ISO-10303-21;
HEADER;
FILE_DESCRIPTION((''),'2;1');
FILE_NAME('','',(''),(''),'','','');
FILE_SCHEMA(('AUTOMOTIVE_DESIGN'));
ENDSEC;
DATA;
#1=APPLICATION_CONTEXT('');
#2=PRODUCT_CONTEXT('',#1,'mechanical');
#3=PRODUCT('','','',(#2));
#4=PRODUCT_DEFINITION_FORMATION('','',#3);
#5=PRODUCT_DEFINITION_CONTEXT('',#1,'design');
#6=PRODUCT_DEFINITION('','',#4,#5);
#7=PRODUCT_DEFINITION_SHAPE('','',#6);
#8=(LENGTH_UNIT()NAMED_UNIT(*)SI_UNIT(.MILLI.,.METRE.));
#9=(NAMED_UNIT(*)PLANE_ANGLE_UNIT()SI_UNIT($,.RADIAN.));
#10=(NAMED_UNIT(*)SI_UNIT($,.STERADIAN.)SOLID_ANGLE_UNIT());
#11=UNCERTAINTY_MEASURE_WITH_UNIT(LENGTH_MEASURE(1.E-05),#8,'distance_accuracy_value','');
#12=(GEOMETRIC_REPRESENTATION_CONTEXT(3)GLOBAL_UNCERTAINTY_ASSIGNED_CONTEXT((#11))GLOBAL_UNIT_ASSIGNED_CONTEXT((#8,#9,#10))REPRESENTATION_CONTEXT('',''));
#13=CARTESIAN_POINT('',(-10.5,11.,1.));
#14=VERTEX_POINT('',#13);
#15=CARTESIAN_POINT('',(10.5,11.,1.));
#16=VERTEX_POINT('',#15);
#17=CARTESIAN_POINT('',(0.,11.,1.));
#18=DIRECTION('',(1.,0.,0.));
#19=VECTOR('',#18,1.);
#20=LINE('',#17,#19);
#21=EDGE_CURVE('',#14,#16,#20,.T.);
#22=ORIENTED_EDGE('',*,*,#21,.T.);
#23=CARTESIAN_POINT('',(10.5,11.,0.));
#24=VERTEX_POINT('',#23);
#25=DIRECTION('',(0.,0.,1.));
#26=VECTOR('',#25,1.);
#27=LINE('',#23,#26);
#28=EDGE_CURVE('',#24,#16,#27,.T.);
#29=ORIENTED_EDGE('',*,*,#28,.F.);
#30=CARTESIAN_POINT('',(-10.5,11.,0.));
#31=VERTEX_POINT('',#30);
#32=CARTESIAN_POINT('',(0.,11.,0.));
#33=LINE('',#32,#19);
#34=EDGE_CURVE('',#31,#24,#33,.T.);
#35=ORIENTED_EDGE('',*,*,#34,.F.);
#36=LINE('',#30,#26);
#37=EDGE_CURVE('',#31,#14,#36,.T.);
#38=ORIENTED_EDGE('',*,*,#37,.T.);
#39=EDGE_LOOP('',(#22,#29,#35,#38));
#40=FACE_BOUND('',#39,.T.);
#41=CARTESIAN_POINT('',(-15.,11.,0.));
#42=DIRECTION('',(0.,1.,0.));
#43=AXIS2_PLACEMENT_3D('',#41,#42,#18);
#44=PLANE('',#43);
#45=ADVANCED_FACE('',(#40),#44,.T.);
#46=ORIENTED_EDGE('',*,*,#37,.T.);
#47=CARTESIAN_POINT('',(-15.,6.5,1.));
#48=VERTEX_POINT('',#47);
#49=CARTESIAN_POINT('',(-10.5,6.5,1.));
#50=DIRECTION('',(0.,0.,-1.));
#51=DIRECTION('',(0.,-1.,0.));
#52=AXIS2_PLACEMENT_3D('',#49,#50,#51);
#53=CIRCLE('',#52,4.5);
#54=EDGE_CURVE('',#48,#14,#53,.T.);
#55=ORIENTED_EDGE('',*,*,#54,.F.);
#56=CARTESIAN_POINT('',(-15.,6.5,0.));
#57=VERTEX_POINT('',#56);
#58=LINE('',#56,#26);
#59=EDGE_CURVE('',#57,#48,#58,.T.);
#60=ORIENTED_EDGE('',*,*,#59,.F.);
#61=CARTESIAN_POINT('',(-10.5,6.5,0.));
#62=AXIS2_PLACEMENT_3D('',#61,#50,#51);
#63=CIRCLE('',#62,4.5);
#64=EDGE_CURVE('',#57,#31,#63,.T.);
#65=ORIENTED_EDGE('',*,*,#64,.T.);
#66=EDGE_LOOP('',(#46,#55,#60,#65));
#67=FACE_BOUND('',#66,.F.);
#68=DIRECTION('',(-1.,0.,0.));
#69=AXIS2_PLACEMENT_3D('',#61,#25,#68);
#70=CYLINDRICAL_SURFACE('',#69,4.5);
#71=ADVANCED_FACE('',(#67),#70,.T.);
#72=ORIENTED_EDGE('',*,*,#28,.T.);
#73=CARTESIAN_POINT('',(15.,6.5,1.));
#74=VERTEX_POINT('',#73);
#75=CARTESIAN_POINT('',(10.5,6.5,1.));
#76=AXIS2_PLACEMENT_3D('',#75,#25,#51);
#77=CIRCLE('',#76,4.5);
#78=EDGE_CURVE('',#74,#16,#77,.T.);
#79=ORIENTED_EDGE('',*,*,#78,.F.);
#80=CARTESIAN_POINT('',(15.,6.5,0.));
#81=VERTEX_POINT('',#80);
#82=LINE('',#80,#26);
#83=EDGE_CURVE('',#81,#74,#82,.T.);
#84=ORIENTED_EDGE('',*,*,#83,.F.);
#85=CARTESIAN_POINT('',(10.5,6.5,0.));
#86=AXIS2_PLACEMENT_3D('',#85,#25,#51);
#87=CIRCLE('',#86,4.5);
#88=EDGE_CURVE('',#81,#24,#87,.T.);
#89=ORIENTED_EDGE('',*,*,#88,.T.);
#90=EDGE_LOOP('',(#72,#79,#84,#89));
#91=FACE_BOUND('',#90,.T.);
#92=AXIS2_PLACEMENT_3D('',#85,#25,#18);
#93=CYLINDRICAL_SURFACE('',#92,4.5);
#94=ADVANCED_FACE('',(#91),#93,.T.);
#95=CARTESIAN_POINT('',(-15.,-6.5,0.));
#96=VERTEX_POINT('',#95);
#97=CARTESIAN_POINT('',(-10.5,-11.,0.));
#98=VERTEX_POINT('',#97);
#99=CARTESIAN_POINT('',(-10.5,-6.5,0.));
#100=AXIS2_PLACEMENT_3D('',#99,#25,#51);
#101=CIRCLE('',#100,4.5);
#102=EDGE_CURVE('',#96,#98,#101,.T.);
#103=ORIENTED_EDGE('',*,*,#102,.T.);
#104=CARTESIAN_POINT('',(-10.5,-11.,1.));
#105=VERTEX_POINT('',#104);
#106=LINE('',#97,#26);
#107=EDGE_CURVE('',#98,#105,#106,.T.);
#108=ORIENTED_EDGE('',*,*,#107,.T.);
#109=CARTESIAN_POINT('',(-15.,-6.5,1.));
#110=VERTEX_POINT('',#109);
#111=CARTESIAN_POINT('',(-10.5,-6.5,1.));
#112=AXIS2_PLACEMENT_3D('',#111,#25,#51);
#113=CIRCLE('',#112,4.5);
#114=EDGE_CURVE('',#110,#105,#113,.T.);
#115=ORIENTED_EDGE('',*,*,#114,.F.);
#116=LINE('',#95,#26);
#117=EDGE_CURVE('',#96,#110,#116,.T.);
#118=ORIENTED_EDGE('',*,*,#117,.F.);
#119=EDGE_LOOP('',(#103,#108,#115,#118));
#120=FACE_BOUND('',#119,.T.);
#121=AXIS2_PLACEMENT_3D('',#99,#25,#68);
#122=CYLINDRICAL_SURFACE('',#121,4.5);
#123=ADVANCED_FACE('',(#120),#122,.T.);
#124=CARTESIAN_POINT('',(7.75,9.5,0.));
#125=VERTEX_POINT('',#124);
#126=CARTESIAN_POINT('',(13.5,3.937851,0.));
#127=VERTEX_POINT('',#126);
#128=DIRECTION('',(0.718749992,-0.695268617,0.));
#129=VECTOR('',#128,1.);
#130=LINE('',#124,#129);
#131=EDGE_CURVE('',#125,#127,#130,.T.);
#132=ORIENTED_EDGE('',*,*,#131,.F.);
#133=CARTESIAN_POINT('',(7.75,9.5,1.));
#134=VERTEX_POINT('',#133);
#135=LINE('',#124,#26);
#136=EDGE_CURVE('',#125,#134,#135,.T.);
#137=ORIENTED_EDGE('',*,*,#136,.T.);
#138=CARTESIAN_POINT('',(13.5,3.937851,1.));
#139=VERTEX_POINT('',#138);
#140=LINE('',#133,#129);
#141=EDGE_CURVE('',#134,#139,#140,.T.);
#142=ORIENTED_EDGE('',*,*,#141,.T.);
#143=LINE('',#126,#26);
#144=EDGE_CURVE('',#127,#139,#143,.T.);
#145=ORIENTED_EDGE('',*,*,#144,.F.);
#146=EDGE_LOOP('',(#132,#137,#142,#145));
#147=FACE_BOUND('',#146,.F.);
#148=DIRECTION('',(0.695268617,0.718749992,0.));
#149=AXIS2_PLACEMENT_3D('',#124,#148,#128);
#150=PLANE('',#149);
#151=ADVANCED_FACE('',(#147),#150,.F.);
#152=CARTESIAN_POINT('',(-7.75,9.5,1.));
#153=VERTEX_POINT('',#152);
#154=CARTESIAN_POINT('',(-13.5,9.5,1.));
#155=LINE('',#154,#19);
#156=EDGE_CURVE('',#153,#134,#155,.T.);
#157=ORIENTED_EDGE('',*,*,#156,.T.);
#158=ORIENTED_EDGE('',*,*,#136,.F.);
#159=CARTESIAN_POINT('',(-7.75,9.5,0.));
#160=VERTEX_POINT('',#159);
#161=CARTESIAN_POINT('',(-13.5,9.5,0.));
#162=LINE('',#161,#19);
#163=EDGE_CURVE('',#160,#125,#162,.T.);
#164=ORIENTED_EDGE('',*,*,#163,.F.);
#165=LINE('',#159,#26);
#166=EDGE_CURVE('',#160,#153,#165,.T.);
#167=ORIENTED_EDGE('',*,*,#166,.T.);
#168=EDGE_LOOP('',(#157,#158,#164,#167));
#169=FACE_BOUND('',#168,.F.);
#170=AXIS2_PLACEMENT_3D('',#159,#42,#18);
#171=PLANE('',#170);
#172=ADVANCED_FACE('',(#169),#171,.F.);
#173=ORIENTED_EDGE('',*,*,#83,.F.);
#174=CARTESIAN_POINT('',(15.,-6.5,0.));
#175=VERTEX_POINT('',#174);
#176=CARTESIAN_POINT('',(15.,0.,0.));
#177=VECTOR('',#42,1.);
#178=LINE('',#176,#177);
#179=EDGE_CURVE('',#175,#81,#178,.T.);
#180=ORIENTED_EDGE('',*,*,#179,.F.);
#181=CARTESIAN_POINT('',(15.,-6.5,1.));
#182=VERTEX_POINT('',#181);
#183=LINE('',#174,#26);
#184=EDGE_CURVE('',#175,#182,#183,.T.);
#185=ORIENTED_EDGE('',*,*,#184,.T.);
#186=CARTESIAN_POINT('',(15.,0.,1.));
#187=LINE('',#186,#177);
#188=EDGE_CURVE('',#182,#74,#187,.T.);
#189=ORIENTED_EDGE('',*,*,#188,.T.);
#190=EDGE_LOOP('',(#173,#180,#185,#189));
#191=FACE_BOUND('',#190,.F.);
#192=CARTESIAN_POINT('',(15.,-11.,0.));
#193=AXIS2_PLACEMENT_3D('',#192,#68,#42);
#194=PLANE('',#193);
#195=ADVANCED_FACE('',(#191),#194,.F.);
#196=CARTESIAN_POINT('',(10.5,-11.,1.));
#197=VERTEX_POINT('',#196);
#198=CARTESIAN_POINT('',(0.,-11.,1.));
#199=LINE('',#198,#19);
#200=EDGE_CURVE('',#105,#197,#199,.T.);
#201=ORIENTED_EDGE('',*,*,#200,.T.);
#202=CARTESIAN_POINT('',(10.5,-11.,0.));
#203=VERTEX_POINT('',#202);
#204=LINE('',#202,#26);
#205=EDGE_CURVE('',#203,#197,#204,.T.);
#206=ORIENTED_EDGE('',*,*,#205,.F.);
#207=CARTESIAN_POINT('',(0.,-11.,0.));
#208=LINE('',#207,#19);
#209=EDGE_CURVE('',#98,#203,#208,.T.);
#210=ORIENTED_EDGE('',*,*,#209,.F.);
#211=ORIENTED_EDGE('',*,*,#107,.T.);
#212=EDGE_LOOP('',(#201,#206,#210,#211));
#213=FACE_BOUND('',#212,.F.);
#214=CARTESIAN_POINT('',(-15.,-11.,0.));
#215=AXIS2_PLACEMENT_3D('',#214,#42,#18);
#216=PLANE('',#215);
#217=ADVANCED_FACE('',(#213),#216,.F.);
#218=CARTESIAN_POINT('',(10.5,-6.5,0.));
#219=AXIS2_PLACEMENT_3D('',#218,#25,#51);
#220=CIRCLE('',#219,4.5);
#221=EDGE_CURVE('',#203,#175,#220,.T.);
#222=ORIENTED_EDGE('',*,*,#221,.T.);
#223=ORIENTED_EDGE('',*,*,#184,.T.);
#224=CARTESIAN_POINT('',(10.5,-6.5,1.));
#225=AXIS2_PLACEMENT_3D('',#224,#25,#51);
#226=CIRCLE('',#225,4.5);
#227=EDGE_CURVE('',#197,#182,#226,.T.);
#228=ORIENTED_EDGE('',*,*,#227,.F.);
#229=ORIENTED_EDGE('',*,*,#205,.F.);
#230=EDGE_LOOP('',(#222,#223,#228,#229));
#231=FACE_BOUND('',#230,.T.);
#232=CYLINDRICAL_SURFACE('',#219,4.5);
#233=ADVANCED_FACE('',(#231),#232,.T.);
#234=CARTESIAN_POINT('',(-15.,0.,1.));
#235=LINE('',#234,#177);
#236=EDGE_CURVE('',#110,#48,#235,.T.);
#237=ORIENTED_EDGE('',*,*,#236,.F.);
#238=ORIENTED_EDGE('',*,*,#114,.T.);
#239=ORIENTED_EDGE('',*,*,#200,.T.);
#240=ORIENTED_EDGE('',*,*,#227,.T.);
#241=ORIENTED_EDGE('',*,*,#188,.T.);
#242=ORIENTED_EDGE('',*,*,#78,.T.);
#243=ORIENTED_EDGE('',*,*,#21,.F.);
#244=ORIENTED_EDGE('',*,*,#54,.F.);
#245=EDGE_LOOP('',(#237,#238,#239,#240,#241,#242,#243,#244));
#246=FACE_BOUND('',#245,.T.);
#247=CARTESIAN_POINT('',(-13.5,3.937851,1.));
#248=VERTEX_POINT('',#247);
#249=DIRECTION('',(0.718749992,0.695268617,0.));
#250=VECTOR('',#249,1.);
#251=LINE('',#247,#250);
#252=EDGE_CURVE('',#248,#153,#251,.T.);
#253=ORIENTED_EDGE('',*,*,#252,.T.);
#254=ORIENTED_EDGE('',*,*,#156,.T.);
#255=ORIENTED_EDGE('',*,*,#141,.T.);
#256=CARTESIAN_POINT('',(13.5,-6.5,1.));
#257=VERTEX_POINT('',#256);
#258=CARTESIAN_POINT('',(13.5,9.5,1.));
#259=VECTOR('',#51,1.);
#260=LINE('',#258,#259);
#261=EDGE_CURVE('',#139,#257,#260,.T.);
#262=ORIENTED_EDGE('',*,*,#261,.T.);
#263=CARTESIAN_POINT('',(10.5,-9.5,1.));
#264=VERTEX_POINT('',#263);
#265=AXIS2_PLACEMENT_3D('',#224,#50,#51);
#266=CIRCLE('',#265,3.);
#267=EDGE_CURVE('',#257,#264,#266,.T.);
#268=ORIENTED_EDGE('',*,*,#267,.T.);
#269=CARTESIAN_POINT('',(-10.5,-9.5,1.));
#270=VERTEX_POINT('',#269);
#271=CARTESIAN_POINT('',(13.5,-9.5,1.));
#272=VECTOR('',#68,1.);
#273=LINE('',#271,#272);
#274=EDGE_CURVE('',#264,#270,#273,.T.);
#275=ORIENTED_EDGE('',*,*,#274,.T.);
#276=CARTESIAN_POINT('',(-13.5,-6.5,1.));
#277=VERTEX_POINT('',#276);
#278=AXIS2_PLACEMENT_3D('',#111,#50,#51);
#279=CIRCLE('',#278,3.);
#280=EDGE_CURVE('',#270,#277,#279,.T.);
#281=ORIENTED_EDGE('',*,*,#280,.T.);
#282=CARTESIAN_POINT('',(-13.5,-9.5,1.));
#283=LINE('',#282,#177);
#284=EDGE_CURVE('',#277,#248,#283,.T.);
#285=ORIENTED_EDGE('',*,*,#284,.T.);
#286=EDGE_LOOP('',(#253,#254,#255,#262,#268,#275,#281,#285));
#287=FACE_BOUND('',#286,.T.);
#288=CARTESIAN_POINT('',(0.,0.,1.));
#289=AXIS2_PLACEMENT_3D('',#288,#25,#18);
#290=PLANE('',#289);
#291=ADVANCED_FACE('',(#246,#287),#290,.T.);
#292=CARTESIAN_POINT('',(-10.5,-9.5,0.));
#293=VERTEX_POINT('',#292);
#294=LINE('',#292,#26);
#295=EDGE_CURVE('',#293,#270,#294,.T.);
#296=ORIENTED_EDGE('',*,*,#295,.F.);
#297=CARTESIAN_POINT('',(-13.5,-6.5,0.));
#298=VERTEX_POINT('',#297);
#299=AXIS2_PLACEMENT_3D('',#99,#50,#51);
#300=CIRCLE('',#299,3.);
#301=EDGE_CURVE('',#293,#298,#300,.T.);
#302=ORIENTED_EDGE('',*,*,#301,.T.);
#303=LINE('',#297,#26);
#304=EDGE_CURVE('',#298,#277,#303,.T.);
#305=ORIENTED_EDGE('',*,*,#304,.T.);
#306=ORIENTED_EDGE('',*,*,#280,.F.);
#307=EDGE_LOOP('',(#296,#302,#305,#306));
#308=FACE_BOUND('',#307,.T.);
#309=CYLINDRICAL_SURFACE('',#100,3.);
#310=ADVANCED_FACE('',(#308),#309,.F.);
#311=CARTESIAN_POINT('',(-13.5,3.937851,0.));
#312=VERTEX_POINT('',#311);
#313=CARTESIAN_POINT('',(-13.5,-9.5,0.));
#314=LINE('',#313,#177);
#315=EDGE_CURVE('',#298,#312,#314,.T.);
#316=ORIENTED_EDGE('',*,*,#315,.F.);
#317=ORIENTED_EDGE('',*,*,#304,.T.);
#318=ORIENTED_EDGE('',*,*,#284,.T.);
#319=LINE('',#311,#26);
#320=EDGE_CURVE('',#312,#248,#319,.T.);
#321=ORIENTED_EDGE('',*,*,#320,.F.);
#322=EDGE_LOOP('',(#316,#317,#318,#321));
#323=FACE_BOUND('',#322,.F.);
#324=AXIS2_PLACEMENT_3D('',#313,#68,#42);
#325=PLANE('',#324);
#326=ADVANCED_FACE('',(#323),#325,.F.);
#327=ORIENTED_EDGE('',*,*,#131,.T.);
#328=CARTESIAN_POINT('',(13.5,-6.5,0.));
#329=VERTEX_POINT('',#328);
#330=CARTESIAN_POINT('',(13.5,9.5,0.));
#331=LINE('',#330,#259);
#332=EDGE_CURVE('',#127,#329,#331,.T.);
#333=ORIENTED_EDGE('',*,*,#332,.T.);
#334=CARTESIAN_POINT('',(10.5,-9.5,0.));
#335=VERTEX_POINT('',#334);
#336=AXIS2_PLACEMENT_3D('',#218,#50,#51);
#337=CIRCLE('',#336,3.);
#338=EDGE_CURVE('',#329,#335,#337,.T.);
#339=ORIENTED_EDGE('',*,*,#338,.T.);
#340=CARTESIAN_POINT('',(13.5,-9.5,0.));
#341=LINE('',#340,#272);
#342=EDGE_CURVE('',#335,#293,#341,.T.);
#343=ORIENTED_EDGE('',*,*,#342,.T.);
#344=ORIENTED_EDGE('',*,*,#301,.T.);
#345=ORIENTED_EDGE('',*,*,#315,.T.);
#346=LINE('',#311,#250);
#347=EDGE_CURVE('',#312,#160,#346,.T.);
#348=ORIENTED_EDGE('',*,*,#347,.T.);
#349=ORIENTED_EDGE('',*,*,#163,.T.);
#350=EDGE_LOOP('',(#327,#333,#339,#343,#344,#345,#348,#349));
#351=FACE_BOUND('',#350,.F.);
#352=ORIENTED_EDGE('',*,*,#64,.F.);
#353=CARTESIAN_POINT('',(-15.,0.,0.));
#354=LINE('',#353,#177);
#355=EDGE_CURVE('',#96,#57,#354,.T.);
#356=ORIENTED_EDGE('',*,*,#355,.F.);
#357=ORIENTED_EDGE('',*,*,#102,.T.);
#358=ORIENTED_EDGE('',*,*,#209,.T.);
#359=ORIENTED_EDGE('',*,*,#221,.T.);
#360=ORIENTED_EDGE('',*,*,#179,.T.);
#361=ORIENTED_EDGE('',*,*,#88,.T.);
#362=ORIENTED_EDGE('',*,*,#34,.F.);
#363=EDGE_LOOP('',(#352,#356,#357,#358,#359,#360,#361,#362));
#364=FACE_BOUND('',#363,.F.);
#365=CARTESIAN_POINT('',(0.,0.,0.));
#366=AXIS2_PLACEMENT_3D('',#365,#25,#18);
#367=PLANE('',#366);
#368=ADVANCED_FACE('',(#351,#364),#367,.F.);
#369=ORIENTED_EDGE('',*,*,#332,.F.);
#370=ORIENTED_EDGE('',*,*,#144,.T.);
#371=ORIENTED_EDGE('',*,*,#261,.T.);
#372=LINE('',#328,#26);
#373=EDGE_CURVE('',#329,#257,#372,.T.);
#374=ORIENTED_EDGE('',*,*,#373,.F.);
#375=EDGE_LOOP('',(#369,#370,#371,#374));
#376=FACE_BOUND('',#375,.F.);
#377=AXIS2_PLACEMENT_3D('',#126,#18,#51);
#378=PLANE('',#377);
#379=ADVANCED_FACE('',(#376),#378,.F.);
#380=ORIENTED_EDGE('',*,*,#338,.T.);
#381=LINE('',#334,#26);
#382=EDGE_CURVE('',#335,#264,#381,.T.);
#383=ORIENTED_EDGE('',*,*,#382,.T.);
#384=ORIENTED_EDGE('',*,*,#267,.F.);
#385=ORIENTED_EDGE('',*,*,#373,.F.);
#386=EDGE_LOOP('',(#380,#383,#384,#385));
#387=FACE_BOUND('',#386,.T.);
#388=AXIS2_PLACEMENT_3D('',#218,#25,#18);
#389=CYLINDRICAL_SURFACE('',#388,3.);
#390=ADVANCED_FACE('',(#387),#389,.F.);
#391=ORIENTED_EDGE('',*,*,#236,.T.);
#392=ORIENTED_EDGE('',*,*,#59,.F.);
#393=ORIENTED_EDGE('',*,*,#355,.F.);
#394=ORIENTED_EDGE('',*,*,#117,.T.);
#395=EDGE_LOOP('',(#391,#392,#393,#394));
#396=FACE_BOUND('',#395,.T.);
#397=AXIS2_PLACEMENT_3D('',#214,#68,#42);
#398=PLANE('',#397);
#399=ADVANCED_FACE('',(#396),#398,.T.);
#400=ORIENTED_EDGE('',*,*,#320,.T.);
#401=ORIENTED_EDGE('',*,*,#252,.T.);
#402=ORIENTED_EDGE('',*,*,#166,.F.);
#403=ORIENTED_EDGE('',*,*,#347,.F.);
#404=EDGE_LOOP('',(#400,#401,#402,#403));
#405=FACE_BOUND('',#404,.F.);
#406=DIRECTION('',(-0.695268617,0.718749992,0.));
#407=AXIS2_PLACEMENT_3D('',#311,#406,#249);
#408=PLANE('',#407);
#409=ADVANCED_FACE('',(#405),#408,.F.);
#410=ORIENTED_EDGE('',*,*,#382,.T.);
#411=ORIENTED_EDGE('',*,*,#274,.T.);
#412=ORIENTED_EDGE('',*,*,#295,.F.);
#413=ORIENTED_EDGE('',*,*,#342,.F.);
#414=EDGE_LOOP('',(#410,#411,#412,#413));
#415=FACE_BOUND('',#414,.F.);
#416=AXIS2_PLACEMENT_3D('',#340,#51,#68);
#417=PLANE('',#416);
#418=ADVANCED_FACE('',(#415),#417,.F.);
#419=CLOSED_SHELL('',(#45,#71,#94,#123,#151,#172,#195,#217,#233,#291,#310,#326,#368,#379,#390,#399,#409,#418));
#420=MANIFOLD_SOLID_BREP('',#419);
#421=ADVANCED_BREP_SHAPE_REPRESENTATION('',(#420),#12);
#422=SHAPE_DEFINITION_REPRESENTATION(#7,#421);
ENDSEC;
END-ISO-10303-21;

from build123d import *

# Parameters (mm, degrees)
F0_W     = 30
F0_H     = 22
F1_DEPTH = 1
F2_R     = 3
F3_R     = 4.5


with BuildPart() as f1:
    # F0 (on Top) → F1 (new body)
    with BuildSketch(Plane.XY):
        Rectangle(F0_W, F0_H)
        Polygon((7.75, 9.5), (13.5, 9.5), (13.5, 3.937851), (13.5, -9.5), (-13.5, -9.5), (-13.5, 3.937851), (-13.5, 9.5), (-7.75, 9.5), align=None, mode=Mode.SUBTRACT)
        Polygon((-13.5, 3.937851), (-7.75, 9.5), (-13.5, 9.5), align=None)
        Polygon((13.5, 3.937851), (13.5, 9.5), (7.75, 9.5), align=None)
    extrude(amount=F1_DEPTH)

    # F2
    f2_edges = [f1.edges().sort_by_distance(p)[0] for p in [
        (13.5, -9.5, 0.5),
        (-13.5, -9.5, 0.5),
    ]]
    fillet(f2_edges, radius=F2_R)

    # F3
    f3_edges = [f1.edges().sort_by_distance(p)[0] for p in [
        (15, -11, 0.5),
        (15, 11, 0.5),
        (-15, -11, 0.5),
        (-15, 11, 0.5),
    ]]
    fillet(f3_edges, radius=F3_R)


solid = f1.part
